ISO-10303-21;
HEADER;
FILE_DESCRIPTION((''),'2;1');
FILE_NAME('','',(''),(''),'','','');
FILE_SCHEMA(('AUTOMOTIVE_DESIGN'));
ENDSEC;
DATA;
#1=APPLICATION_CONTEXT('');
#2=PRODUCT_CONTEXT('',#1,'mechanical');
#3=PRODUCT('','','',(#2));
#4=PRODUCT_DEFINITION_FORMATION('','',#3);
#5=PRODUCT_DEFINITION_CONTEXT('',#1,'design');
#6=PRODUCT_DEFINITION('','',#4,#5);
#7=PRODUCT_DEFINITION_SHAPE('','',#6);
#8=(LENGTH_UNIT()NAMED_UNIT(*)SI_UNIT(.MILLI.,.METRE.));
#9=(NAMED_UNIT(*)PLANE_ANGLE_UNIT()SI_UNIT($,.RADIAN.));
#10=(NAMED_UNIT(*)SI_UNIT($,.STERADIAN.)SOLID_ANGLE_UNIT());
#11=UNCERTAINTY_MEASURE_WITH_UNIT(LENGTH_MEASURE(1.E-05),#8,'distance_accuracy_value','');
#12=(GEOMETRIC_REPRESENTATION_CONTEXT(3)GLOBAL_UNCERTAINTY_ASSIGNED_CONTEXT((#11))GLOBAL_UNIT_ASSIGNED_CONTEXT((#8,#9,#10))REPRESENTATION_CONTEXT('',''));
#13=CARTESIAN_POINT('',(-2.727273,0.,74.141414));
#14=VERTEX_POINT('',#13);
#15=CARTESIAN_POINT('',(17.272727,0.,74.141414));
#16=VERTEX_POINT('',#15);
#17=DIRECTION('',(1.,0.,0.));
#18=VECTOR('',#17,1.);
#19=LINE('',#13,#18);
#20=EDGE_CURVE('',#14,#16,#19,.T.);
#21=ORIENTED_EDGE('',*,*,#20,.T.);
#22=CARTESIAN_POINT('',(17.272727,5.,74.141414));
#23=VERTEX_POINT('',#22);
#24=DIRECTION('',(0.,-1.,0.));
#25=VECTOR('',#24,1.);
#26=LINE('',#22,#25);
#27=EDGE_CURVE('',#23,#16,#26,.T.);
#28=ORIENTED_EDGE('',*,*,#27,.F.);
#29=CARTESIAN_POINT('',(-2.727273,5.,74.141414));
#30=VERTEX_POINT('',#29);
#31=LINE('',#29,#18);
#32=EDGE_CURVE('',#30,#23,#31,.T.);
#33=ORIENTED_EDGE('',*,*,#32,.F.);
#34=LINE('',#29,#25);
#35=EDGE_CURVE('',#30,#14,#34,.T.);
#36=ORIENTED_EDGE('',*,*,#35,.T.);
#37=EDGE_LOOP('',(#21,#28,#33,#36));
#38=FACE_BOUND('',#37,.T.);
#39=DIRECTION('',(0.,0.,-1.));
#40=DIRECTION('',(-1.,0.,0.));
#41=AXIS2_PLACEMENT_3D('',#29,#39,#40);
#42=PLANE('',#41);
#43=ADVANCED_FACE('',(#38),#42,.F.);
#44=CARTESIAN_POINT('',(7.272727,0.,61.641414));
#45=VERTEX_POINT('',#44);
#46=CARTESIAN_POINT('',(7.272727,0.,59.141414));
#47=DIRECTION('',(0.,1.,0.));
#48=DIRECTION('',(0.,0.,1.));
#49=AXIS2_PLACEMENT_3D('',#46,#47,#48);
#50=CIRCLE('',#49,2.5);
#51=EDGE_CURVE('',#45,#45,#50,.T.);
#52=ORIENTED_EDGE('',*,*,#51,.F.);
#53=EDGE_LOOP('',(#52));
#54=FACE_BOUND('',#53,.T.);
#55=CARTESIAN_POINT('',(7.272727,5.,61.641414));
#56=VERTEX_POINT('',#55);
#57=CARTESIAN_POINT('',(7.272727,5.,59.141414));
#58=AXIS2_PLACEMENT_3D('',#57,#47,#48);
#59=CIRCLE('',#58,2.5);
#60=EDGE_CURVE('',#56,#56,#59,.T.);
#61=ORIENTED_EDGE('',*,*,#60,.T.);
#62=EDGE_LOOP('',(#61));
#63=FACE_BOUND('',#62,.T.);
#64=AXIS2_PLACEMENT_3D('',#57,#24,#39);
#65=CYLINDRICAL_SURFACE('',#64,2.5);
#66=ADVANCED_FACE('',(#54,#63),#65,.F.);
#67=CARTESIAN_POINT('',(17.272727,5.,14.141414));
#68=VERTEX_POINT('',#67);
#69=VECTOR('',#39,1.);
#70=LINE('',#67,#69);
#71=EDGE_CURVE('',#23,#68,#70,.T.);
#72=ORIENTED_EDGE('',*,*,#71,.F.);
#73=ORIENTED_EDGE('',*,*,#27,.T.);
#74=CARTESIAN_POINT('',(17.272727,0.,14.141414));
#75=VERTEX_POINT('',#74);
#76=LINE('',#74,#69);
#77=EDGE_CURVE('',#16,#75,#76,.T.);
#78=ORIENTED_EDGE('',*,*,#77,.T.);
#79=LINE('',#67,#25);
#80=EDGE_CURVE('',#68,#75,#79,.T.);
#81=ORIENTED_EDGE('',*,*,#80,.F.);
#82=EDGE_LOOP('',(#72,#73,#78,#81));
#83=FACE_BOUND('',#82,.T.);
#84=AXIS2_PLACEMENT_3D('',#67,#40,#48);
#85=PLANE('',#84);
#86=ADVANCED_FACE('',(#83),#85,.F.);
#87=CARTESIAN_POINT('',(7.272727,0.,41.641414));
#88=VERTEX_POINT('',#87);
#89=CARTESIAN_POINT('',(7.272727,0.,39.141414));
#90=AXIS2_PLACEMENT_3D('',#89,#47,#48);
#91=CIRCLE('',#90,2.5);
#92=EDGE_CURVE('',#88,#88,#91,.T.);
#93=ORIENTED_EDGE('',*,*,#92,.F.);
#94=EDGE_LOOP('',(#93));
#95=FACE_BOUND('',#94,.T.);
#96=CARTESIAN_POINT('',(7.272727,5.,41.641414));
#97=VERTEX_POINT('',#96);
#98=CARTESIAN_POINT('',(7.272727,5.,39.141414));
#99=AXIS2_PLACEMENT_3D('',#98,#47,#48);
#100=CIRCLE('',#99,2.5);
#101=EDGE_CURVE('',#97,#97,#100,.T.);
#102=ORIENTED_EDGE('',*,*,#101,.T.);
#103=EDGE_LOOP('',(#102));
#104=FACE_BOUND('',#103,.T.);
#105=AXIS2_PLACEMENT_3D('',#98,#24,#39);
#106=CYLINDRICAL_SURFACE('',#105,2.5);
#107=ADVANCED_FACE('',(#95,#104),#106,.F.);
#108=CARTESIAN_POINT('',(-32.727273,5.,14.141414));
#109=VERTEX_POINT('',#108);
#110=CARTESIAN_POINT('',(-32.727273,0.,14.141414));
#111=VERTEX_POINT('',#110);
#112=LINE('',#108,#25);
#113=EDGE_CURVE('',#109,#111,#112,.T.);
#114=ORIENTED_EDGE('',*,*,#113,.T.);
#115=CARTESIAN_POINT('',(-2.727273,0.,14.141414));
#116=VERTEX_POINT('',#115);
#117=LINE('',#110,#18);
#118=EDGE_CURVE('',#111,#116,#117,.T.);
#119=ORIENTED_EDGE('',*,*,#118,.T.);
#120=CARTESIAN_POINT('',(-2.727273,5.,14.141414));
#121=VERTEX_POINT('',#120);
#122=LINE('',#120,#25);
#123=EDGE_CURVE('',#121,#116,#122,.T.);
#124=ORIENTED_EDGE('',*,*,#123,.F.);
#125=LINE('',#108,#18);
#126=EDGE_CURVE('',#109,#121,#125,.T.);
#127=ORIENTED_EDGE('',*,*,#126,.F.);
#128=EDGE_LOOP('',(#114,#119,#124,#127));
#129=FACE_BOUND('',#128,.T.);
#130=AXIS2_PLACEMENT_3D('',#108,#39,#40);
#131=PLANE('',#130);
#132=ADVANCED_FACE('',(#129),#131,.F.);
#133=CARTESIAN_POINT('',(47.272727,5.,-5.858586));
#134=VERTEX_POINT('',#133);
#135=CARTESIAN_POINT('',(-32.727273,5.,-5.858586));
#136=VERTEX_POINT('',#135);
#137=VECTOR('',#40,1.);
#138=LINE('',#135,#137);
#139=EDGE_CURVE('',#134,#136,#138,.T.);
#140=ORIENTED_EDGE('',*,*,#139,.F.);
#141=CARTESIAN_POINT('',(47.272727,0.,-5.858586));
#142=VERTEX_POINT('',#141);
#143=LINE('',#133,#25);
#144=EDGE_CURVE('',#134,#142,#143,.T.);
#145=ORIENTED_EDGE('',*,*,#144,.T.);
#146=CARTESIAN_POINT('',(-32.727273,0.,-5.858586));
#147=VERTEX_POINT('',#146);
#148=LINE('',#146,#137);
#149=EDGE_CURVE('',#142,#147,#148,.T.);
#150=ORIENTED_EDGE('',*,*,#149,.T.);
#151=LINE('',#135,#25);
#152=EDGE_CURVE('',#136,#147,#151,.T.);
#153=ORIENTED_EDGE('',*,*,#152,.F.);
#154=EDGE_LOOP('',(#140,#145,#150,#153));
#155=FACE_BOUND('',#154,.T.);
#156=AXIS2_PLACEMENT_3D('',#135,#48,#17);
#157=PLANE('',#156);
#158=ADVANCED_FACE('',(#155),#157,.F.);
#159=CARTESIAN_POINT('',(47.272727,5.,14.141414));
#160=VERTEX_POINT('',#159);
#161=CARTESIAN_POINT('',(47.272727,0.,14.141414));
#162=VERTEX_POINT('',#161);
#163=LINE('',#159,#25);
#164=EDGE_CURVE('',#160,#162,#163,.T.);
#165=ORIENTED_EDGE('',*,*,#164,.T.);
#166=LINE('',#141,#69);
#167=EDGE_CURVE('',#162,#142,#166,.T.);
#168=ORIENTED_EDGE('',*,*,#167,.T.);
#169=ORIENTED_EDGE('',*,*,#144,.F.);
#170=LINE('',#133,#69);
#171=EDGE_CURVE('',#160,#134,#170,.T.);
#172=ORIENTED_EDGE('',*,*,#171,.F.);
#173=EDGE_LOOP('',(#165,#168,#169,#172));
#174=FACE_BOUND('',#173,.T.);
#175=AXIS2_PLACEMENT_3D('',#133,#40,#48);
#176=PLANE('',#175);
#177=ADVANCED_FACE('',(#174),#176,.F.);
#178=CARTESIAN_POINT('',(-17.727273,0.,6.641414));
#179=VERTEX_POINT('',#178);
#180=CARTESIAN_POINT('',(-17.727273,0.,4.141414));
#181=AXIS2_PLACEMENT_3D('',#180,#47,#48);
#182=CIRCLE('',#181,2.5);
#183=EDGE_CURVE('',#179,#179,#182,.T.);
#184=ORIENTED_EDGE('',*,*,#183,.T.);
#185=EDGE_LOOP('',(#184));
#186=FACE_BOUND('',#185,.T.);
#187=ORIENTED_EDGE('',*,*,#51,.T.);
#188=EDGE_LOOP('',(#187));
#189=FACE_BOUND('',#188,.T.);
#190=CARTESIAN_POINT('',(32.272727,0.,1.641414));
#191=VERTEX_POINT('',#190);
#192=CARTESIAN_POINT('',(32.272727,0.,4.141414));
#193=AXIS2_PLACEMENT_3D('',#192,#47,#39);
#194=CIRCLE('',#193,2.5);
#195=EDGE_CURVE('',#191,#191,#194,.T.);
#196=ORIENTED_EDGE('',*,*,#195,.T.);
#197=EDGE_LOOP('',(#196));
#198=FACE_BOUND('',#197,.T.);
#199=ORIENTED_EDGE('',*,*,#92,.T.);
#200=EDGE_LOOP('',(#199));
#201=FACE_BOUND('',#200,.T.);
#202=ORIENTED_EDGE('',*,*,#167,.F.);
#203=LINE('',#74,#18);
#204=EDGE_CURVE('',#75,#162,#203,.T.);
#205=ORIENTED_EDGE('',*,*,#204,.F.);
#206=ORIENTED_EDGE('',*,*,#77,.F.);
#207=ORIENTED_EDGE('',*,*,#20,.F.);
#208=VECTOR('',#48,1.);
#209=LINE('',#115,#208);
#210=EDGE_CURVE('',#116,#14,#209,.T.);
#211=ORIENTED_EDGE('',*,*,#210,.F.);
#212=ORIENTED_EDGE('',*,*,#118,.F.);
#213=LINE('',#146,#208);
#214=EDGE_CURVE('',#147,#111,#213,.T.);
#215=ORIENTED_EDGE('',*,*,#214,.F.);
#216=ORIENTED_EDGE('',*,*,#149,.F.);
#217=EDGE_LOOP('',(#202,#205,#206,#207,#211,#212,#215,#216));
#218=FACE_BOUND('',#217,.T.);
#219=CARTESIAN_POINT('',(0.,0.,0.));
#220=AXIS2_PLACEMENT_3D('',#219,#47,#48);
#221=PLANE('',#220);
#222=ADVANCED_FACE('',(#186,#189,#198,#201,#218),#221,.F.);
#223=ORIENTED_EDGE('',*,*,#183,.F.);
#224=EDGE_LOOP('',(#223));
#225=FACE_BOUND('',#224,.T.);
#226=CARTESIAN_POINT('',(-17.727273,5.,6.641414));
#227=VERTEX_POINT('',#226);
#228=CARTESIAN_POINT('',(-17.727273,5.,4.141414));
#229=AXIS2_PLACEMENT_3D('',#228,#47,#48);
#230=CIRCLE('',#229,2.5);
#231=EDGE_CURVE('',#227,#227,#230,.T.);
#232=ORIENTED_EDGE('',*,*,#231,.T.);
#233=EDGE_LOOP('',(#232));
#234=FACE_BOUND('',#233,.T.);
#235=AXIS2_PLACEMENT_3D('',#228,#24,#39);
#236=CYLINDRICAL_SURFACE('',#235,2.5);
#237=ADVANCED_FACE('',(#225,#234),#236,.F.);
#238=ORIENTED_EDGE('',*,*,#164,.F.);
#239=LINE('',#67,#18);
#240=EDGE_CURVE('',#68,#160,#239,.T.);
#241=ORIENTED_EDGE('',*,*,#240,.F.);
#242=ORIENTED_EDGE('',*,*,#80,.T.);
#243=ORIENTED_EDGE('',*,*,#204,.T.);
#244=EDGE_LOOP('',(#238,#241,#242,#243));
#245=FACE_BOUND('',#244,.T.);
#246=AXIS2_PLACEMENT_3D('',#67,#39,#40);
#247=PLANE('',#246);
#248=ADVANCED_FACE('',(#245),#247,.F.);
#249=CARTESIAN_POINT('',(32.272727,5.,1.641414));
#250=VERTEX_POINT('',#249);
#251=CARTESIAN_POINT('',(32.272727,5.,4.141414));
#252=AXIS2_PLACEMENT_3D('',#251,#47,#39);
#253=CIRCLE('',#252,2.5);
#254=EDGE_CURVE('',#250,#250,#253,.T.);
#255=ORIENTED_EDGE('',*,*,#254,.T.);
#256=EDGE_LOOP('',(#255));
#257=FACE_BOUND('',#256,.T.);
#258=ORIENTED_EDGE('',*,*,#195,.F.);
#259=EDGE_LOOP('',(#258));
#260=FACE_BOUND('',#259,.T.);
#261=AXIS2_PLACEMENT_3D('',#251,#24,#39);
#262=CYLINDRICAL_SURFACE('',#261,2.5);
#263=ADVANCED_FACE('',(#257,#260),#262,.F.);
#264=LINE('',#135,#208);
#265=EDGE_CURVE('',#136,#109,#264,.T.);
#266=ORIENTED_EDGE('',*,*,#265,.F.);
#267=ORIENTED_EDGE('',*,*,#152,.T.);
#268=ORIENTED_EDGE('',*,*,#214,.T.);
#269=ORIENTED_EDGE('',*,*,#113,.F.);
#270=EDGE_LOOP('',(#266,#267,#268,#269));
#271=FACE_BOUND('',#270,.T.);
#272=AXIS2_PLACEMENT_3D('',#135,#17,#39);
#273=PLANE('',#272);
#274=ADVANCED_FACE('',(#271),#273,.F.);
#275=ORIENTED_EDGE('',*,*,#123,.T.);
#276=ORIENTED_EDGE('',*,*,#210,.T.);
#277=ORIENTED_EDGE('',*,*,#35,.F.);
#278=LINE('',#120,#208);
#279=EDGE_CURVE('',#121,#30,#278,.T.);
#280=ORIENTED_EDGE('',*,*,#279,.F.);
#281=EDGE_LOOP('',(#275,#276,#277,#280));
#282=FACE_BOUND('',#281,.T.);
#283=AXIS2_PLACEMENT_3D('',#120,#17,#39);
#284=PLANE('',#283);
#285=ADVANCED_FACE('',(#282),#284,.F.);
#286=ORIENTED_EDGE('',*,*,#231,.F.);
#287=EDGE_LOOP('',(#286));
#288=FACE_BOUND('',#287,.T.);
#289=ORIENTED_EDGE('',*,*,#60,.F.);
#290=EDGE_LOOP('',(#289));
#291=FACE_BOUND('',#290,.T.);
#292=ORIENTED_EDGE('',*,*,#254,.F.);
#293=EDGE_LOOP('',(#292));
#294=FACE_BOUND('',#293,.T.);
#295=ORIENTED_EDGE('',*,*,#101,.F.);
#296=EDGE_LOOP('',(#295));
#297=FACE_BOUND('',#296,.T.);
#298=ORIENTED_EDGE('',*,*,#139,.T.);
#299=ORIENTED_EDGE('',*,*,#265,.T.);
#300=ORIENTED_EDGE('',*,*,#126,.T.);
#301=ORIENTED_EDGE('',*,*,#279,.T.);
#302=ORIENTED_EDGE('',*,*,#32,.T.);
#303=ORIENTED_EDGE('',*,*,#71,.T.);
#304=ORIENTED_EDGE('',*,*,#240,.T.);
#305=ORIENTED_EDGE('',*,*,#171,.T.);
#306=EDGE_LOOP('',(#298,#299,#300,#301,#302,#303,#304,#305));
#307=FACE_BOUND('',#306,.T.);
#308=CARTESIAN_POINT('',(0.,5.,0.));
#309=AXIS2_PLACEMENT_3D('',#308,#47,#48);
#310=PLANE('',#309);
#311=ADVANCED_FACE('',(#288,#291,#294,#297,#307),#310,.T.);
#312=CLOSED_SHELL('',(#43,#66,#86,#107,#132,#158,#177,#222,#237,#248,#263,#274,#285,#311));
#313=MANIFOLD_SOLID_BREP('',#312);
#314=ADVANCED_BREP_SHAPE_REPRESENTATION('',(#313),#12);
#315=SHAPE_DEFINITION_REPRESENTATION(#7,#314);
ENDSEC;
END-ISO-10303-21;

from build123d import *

# Parameters (mm, degrees)
SKETCH1_R           = 2.5
BOSS_EXTRUDE1_DEPTH = 5


with BuildPart() as part:
    # Sketch1 → Boss-Extrude1 (new body)
    with BuildSketch(Plane(origin=(0, 0, 0), x_dir=(1, 0, 0), z_dir=(0, 1, 0))):
        Polygon((-32.727272727, 5.858585859), (47.272727273, 5.858585859), (47.272727273, -14.141414141), (17.272727273, -14.141414141), (17.272727273, -74.141414141), (-2.727272727, -74.141414141), (-2.727272727, -14.141414141), (-32.727272727, -14.141414141), align=None)
        with Locations(Location((-17.727272727, -4.141414141, 0), (0, 0, 270))):
            Circle(SKETCH1_R, mode=Mode.SUBTRACT)
        with Locations(Location((7.272727273, -59.141414141, 0), (0, 0, 270))):
            Circle(SKETCH1_R, mode=Mode.SUBTRACT)
        with Locations(Location((7.272727273, -39.141414141, 0), (0, 0, 270))):
            Circle(SKETCH1_R, mode=Mode.SUBTRACT)
        with Locations(Location((32.272727273, -4.141414141, 0), (0, 0, 90))):
            Circle(SKETCH1_R, mode=Mode.SUBTRACT)
    extrude(amount=BOSS_EXTRUDE1_DEPTH)


solid = part.part
